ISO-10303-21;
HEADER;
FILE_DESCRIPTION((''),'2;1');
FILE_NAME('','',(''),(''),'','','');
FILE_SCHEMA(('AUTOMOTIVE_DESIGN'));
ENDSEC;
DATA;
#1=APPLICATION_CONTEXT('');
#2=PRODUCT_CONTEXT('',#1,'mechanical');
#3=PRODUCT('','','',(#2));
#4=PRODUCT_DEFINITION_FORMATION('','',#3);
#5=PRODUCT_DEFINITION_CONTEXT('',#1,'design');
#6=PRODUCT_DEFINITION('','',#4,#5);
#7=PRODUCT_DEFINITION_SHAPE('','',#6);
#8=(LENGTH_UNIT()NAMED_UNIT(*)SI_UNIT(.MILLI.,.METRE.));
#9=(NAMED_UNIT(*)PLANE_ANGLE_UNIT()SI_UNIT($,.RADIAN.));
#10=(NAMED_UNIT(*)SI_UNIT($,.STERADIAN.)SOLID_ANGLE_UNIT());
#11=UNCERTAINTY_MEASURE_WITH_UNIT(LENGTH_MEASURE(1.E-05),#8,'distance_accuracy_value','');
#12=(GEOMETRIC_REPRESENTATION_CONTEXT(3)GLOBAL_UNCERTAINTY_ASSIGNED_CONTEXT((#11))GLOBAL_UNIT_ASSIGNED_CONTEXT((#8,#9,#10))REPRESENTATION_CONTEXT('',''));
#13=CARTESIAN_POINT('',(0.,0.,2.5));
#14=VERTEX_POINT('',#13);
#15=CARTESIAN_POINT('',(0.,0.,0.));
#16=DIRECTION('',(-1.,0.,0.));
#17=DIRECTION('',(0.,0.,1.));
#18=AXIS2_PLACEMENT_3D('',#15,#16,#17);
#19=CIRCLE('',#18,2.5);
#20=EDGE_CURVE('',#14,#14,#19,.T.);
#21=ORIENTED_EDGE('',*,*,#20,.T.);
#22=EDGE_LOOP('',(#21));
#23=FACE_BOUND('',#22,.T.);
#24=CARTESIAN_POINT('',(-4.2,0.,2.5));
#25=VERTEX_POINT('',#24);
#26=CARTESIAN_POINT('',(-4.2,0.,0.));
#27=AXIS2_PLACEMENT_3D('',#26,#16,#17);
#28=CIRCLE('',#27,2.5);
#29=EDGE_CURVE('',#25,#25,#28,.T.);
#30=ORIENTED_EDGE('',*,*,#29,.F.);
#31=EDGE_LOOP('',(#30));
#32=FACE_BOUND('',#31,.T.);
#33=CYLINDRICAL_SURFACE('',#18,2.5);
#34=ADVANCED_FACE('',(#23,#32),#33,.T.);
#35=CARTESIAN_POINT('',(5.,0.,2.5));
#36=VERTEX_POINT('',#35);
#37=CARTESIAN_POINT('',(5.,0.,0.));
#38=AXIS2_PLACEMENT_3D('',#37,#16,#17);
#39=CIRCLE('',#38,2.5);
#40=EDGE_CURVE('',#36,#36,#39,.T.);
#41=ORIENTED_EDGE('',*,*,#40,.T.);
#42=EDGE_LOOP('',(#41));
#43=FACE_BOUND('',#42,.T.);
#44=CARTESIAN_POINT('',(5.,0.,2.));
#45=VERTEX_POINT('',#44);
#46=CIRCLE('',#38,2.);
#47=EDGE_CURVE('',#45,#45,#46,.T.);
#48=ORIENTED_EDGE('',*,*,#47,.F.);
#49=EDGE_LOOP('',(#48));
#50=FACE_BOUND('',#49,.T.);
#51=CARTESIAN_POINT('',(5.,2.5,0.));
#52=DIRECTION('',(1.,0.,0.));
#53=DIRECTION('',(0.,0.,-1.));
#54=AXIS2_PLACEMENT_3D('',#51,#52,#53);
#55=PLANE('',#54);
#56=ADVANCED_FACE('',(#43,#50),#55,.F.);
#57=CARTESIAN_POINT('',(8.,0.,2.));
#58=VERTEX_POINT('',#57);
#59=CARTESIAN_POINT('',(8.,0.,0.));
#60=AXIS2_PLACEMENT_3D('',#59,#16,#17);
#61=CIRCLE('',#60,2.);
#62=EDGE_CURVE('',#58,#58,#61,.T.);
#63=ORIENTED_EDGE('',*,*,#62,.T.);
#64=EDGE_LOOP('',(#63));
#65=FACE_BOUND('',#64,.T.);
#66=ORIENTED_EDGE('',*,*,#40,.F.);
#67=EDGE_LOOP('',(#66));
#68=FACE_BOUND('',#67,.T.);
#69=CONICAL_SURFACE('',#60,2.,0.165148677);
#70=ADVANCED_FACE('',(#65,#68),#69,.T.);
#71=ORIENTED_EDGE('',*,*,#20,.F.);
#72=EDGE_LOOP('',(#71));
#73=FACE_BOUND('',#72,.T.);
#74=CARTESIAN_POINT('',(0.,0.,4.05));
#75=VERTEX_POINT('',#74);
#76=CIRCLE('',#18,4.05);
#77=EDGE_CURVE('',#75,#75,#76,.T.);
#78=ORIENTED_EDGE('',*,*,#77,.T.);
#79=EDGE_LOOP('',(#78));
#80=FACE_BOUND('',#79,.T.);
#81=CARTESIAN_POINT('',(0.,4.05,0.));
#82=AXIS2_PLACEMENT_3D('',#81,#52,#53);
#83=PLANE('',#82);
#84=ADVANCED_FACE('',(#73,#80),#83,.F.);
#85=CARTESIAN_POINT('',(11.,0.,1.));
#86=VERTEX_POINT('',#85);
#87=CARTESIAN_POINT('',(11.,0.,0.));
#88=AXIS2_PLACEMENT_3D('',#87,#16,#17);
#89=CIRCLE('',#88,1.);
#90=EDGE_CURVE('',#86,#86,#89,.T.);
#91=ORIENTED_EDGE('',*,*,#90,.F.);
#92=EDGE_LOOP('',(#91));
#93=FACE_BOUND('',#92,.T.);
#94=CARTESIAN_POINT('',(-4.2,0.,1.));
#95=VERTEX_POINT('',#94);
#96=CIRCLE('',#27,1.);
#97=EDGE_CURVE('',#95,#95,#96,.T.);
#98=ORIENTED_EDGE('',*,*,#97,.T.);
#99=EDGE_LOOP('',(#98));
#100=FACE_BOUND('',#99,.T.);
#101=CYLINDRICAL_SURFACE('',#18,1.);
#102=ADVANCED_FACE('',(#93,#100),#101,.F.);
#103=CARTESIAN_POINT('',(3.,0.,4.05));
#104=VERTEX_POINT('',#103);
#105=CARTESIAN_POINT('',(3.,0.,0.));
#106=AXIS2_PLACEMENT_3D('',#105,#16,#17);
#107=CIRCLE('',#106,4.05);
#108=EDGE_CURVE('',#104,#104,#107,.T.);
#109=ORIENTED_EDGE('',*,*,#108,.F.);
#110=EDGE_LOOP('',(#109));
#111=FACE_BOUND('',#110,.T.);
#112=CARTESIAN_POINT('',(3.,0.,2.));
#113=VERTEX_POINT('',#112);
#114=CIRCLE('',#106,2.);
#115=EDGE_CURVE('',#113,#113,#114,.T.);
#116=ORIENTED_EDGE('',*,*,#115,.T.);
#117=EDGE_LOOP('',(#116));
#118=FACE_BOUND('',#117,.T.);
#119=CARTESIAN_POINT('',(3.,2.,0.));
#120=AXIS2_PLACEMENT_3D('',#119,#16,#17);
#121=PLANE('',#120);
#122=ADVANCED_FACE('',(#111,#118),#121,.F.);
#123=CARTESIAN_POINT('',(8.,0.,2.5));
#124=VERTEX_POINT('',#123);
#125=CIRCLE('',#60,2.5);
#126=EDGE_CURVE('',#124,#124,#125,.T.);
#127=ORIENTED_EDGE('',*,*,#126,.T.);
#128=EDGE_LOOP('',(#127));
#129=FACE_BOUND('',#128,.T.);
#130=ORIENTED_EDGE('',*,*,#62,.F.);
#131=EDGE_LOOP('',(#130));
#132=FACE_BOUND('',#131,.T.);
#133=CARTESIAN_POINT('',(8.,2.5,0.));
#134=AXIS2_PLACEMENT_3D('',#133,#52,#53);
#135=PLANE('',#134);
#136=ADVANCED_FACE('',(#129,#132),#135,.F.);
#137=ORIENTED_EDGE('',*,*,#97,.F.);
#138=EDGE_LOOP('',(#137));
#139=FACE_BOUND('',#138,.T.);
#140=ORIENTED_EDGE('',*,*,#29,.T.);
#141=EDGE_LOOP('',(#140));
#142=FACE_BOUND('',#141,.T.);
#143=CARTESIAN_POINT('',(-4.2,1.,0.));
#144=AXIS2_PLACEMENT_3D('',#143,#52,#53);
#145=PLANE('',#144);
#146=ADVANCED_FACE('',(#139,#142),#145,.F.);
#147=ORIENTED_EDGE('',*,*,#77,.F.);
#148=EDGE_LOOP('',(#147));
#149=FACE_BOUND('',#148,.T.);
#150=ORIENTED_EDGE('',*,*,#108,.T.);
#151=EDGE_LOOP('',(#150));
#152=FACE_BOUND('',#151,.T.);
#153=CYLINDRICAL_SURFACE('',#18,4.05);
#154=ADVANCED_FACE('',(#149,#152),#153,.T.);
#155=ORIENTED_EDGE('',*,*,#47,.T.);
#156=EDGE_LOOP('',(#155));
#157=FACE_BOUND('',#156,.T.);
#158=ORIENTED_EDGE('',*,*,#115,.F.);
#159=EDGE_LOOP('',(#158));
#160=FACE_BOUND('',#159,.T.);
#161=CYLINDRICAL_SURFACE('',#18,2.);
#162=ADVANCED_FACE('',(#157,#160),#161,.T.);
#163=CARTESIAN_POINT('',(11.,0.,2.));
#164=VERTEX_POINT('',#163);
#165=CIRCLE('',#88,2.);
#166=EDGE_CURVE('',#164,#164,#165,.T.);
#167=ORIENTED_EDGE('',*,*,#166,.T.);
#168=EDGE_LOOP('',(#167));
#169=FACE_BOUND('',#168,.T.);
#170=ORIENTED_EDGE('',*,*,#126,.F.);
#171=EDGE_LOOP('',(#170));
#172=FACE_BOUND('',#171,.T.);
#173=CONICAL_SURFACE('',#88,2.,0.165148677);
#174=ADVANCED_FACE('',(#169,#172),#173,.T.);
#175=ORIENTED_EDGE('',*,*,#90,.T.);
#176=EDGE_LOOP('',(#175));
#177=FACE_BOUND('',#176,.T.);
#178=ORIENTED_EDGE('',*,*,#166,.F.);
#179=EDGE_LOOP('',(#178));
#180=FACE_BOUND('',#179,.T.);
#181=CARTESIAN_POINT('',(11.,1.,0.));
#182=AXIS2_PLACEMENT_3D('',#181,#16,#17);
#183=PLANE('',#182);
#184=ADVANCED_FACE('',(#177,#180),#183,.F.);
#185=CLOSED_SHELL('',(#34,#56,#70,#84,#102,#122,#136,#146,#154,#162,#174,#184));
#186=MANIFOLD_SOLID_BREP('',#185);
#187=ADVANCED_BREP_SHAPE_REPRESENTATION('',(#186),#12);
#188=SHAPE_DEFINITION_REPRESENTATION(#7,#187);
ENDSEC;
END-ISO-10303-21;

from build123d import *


with BuildPart() as part:
    # Esquisse4 → Révolution2 (revolve)
    with BuildSketch(Plane.XY, mode=Mode.PRIVATE) as r_volution2_sk:
        Polygon((0, 1), (-4.2, 1), (-4.2, 2.5), (0, 2.5), (0, 4.05), (3, 4.05), (3, 2), (5, 2), (5, 2.5), (8, 2), (8, 2.5), (11, 2), (11, 1), align=None)
    revolve(r_volution2_sk.sketch.rotate(Axis((0, 0, 0), (1, 0, 0)), 90), axis=Axis((0, 0, 0), (1, 0, 0)))


solid = part.part
